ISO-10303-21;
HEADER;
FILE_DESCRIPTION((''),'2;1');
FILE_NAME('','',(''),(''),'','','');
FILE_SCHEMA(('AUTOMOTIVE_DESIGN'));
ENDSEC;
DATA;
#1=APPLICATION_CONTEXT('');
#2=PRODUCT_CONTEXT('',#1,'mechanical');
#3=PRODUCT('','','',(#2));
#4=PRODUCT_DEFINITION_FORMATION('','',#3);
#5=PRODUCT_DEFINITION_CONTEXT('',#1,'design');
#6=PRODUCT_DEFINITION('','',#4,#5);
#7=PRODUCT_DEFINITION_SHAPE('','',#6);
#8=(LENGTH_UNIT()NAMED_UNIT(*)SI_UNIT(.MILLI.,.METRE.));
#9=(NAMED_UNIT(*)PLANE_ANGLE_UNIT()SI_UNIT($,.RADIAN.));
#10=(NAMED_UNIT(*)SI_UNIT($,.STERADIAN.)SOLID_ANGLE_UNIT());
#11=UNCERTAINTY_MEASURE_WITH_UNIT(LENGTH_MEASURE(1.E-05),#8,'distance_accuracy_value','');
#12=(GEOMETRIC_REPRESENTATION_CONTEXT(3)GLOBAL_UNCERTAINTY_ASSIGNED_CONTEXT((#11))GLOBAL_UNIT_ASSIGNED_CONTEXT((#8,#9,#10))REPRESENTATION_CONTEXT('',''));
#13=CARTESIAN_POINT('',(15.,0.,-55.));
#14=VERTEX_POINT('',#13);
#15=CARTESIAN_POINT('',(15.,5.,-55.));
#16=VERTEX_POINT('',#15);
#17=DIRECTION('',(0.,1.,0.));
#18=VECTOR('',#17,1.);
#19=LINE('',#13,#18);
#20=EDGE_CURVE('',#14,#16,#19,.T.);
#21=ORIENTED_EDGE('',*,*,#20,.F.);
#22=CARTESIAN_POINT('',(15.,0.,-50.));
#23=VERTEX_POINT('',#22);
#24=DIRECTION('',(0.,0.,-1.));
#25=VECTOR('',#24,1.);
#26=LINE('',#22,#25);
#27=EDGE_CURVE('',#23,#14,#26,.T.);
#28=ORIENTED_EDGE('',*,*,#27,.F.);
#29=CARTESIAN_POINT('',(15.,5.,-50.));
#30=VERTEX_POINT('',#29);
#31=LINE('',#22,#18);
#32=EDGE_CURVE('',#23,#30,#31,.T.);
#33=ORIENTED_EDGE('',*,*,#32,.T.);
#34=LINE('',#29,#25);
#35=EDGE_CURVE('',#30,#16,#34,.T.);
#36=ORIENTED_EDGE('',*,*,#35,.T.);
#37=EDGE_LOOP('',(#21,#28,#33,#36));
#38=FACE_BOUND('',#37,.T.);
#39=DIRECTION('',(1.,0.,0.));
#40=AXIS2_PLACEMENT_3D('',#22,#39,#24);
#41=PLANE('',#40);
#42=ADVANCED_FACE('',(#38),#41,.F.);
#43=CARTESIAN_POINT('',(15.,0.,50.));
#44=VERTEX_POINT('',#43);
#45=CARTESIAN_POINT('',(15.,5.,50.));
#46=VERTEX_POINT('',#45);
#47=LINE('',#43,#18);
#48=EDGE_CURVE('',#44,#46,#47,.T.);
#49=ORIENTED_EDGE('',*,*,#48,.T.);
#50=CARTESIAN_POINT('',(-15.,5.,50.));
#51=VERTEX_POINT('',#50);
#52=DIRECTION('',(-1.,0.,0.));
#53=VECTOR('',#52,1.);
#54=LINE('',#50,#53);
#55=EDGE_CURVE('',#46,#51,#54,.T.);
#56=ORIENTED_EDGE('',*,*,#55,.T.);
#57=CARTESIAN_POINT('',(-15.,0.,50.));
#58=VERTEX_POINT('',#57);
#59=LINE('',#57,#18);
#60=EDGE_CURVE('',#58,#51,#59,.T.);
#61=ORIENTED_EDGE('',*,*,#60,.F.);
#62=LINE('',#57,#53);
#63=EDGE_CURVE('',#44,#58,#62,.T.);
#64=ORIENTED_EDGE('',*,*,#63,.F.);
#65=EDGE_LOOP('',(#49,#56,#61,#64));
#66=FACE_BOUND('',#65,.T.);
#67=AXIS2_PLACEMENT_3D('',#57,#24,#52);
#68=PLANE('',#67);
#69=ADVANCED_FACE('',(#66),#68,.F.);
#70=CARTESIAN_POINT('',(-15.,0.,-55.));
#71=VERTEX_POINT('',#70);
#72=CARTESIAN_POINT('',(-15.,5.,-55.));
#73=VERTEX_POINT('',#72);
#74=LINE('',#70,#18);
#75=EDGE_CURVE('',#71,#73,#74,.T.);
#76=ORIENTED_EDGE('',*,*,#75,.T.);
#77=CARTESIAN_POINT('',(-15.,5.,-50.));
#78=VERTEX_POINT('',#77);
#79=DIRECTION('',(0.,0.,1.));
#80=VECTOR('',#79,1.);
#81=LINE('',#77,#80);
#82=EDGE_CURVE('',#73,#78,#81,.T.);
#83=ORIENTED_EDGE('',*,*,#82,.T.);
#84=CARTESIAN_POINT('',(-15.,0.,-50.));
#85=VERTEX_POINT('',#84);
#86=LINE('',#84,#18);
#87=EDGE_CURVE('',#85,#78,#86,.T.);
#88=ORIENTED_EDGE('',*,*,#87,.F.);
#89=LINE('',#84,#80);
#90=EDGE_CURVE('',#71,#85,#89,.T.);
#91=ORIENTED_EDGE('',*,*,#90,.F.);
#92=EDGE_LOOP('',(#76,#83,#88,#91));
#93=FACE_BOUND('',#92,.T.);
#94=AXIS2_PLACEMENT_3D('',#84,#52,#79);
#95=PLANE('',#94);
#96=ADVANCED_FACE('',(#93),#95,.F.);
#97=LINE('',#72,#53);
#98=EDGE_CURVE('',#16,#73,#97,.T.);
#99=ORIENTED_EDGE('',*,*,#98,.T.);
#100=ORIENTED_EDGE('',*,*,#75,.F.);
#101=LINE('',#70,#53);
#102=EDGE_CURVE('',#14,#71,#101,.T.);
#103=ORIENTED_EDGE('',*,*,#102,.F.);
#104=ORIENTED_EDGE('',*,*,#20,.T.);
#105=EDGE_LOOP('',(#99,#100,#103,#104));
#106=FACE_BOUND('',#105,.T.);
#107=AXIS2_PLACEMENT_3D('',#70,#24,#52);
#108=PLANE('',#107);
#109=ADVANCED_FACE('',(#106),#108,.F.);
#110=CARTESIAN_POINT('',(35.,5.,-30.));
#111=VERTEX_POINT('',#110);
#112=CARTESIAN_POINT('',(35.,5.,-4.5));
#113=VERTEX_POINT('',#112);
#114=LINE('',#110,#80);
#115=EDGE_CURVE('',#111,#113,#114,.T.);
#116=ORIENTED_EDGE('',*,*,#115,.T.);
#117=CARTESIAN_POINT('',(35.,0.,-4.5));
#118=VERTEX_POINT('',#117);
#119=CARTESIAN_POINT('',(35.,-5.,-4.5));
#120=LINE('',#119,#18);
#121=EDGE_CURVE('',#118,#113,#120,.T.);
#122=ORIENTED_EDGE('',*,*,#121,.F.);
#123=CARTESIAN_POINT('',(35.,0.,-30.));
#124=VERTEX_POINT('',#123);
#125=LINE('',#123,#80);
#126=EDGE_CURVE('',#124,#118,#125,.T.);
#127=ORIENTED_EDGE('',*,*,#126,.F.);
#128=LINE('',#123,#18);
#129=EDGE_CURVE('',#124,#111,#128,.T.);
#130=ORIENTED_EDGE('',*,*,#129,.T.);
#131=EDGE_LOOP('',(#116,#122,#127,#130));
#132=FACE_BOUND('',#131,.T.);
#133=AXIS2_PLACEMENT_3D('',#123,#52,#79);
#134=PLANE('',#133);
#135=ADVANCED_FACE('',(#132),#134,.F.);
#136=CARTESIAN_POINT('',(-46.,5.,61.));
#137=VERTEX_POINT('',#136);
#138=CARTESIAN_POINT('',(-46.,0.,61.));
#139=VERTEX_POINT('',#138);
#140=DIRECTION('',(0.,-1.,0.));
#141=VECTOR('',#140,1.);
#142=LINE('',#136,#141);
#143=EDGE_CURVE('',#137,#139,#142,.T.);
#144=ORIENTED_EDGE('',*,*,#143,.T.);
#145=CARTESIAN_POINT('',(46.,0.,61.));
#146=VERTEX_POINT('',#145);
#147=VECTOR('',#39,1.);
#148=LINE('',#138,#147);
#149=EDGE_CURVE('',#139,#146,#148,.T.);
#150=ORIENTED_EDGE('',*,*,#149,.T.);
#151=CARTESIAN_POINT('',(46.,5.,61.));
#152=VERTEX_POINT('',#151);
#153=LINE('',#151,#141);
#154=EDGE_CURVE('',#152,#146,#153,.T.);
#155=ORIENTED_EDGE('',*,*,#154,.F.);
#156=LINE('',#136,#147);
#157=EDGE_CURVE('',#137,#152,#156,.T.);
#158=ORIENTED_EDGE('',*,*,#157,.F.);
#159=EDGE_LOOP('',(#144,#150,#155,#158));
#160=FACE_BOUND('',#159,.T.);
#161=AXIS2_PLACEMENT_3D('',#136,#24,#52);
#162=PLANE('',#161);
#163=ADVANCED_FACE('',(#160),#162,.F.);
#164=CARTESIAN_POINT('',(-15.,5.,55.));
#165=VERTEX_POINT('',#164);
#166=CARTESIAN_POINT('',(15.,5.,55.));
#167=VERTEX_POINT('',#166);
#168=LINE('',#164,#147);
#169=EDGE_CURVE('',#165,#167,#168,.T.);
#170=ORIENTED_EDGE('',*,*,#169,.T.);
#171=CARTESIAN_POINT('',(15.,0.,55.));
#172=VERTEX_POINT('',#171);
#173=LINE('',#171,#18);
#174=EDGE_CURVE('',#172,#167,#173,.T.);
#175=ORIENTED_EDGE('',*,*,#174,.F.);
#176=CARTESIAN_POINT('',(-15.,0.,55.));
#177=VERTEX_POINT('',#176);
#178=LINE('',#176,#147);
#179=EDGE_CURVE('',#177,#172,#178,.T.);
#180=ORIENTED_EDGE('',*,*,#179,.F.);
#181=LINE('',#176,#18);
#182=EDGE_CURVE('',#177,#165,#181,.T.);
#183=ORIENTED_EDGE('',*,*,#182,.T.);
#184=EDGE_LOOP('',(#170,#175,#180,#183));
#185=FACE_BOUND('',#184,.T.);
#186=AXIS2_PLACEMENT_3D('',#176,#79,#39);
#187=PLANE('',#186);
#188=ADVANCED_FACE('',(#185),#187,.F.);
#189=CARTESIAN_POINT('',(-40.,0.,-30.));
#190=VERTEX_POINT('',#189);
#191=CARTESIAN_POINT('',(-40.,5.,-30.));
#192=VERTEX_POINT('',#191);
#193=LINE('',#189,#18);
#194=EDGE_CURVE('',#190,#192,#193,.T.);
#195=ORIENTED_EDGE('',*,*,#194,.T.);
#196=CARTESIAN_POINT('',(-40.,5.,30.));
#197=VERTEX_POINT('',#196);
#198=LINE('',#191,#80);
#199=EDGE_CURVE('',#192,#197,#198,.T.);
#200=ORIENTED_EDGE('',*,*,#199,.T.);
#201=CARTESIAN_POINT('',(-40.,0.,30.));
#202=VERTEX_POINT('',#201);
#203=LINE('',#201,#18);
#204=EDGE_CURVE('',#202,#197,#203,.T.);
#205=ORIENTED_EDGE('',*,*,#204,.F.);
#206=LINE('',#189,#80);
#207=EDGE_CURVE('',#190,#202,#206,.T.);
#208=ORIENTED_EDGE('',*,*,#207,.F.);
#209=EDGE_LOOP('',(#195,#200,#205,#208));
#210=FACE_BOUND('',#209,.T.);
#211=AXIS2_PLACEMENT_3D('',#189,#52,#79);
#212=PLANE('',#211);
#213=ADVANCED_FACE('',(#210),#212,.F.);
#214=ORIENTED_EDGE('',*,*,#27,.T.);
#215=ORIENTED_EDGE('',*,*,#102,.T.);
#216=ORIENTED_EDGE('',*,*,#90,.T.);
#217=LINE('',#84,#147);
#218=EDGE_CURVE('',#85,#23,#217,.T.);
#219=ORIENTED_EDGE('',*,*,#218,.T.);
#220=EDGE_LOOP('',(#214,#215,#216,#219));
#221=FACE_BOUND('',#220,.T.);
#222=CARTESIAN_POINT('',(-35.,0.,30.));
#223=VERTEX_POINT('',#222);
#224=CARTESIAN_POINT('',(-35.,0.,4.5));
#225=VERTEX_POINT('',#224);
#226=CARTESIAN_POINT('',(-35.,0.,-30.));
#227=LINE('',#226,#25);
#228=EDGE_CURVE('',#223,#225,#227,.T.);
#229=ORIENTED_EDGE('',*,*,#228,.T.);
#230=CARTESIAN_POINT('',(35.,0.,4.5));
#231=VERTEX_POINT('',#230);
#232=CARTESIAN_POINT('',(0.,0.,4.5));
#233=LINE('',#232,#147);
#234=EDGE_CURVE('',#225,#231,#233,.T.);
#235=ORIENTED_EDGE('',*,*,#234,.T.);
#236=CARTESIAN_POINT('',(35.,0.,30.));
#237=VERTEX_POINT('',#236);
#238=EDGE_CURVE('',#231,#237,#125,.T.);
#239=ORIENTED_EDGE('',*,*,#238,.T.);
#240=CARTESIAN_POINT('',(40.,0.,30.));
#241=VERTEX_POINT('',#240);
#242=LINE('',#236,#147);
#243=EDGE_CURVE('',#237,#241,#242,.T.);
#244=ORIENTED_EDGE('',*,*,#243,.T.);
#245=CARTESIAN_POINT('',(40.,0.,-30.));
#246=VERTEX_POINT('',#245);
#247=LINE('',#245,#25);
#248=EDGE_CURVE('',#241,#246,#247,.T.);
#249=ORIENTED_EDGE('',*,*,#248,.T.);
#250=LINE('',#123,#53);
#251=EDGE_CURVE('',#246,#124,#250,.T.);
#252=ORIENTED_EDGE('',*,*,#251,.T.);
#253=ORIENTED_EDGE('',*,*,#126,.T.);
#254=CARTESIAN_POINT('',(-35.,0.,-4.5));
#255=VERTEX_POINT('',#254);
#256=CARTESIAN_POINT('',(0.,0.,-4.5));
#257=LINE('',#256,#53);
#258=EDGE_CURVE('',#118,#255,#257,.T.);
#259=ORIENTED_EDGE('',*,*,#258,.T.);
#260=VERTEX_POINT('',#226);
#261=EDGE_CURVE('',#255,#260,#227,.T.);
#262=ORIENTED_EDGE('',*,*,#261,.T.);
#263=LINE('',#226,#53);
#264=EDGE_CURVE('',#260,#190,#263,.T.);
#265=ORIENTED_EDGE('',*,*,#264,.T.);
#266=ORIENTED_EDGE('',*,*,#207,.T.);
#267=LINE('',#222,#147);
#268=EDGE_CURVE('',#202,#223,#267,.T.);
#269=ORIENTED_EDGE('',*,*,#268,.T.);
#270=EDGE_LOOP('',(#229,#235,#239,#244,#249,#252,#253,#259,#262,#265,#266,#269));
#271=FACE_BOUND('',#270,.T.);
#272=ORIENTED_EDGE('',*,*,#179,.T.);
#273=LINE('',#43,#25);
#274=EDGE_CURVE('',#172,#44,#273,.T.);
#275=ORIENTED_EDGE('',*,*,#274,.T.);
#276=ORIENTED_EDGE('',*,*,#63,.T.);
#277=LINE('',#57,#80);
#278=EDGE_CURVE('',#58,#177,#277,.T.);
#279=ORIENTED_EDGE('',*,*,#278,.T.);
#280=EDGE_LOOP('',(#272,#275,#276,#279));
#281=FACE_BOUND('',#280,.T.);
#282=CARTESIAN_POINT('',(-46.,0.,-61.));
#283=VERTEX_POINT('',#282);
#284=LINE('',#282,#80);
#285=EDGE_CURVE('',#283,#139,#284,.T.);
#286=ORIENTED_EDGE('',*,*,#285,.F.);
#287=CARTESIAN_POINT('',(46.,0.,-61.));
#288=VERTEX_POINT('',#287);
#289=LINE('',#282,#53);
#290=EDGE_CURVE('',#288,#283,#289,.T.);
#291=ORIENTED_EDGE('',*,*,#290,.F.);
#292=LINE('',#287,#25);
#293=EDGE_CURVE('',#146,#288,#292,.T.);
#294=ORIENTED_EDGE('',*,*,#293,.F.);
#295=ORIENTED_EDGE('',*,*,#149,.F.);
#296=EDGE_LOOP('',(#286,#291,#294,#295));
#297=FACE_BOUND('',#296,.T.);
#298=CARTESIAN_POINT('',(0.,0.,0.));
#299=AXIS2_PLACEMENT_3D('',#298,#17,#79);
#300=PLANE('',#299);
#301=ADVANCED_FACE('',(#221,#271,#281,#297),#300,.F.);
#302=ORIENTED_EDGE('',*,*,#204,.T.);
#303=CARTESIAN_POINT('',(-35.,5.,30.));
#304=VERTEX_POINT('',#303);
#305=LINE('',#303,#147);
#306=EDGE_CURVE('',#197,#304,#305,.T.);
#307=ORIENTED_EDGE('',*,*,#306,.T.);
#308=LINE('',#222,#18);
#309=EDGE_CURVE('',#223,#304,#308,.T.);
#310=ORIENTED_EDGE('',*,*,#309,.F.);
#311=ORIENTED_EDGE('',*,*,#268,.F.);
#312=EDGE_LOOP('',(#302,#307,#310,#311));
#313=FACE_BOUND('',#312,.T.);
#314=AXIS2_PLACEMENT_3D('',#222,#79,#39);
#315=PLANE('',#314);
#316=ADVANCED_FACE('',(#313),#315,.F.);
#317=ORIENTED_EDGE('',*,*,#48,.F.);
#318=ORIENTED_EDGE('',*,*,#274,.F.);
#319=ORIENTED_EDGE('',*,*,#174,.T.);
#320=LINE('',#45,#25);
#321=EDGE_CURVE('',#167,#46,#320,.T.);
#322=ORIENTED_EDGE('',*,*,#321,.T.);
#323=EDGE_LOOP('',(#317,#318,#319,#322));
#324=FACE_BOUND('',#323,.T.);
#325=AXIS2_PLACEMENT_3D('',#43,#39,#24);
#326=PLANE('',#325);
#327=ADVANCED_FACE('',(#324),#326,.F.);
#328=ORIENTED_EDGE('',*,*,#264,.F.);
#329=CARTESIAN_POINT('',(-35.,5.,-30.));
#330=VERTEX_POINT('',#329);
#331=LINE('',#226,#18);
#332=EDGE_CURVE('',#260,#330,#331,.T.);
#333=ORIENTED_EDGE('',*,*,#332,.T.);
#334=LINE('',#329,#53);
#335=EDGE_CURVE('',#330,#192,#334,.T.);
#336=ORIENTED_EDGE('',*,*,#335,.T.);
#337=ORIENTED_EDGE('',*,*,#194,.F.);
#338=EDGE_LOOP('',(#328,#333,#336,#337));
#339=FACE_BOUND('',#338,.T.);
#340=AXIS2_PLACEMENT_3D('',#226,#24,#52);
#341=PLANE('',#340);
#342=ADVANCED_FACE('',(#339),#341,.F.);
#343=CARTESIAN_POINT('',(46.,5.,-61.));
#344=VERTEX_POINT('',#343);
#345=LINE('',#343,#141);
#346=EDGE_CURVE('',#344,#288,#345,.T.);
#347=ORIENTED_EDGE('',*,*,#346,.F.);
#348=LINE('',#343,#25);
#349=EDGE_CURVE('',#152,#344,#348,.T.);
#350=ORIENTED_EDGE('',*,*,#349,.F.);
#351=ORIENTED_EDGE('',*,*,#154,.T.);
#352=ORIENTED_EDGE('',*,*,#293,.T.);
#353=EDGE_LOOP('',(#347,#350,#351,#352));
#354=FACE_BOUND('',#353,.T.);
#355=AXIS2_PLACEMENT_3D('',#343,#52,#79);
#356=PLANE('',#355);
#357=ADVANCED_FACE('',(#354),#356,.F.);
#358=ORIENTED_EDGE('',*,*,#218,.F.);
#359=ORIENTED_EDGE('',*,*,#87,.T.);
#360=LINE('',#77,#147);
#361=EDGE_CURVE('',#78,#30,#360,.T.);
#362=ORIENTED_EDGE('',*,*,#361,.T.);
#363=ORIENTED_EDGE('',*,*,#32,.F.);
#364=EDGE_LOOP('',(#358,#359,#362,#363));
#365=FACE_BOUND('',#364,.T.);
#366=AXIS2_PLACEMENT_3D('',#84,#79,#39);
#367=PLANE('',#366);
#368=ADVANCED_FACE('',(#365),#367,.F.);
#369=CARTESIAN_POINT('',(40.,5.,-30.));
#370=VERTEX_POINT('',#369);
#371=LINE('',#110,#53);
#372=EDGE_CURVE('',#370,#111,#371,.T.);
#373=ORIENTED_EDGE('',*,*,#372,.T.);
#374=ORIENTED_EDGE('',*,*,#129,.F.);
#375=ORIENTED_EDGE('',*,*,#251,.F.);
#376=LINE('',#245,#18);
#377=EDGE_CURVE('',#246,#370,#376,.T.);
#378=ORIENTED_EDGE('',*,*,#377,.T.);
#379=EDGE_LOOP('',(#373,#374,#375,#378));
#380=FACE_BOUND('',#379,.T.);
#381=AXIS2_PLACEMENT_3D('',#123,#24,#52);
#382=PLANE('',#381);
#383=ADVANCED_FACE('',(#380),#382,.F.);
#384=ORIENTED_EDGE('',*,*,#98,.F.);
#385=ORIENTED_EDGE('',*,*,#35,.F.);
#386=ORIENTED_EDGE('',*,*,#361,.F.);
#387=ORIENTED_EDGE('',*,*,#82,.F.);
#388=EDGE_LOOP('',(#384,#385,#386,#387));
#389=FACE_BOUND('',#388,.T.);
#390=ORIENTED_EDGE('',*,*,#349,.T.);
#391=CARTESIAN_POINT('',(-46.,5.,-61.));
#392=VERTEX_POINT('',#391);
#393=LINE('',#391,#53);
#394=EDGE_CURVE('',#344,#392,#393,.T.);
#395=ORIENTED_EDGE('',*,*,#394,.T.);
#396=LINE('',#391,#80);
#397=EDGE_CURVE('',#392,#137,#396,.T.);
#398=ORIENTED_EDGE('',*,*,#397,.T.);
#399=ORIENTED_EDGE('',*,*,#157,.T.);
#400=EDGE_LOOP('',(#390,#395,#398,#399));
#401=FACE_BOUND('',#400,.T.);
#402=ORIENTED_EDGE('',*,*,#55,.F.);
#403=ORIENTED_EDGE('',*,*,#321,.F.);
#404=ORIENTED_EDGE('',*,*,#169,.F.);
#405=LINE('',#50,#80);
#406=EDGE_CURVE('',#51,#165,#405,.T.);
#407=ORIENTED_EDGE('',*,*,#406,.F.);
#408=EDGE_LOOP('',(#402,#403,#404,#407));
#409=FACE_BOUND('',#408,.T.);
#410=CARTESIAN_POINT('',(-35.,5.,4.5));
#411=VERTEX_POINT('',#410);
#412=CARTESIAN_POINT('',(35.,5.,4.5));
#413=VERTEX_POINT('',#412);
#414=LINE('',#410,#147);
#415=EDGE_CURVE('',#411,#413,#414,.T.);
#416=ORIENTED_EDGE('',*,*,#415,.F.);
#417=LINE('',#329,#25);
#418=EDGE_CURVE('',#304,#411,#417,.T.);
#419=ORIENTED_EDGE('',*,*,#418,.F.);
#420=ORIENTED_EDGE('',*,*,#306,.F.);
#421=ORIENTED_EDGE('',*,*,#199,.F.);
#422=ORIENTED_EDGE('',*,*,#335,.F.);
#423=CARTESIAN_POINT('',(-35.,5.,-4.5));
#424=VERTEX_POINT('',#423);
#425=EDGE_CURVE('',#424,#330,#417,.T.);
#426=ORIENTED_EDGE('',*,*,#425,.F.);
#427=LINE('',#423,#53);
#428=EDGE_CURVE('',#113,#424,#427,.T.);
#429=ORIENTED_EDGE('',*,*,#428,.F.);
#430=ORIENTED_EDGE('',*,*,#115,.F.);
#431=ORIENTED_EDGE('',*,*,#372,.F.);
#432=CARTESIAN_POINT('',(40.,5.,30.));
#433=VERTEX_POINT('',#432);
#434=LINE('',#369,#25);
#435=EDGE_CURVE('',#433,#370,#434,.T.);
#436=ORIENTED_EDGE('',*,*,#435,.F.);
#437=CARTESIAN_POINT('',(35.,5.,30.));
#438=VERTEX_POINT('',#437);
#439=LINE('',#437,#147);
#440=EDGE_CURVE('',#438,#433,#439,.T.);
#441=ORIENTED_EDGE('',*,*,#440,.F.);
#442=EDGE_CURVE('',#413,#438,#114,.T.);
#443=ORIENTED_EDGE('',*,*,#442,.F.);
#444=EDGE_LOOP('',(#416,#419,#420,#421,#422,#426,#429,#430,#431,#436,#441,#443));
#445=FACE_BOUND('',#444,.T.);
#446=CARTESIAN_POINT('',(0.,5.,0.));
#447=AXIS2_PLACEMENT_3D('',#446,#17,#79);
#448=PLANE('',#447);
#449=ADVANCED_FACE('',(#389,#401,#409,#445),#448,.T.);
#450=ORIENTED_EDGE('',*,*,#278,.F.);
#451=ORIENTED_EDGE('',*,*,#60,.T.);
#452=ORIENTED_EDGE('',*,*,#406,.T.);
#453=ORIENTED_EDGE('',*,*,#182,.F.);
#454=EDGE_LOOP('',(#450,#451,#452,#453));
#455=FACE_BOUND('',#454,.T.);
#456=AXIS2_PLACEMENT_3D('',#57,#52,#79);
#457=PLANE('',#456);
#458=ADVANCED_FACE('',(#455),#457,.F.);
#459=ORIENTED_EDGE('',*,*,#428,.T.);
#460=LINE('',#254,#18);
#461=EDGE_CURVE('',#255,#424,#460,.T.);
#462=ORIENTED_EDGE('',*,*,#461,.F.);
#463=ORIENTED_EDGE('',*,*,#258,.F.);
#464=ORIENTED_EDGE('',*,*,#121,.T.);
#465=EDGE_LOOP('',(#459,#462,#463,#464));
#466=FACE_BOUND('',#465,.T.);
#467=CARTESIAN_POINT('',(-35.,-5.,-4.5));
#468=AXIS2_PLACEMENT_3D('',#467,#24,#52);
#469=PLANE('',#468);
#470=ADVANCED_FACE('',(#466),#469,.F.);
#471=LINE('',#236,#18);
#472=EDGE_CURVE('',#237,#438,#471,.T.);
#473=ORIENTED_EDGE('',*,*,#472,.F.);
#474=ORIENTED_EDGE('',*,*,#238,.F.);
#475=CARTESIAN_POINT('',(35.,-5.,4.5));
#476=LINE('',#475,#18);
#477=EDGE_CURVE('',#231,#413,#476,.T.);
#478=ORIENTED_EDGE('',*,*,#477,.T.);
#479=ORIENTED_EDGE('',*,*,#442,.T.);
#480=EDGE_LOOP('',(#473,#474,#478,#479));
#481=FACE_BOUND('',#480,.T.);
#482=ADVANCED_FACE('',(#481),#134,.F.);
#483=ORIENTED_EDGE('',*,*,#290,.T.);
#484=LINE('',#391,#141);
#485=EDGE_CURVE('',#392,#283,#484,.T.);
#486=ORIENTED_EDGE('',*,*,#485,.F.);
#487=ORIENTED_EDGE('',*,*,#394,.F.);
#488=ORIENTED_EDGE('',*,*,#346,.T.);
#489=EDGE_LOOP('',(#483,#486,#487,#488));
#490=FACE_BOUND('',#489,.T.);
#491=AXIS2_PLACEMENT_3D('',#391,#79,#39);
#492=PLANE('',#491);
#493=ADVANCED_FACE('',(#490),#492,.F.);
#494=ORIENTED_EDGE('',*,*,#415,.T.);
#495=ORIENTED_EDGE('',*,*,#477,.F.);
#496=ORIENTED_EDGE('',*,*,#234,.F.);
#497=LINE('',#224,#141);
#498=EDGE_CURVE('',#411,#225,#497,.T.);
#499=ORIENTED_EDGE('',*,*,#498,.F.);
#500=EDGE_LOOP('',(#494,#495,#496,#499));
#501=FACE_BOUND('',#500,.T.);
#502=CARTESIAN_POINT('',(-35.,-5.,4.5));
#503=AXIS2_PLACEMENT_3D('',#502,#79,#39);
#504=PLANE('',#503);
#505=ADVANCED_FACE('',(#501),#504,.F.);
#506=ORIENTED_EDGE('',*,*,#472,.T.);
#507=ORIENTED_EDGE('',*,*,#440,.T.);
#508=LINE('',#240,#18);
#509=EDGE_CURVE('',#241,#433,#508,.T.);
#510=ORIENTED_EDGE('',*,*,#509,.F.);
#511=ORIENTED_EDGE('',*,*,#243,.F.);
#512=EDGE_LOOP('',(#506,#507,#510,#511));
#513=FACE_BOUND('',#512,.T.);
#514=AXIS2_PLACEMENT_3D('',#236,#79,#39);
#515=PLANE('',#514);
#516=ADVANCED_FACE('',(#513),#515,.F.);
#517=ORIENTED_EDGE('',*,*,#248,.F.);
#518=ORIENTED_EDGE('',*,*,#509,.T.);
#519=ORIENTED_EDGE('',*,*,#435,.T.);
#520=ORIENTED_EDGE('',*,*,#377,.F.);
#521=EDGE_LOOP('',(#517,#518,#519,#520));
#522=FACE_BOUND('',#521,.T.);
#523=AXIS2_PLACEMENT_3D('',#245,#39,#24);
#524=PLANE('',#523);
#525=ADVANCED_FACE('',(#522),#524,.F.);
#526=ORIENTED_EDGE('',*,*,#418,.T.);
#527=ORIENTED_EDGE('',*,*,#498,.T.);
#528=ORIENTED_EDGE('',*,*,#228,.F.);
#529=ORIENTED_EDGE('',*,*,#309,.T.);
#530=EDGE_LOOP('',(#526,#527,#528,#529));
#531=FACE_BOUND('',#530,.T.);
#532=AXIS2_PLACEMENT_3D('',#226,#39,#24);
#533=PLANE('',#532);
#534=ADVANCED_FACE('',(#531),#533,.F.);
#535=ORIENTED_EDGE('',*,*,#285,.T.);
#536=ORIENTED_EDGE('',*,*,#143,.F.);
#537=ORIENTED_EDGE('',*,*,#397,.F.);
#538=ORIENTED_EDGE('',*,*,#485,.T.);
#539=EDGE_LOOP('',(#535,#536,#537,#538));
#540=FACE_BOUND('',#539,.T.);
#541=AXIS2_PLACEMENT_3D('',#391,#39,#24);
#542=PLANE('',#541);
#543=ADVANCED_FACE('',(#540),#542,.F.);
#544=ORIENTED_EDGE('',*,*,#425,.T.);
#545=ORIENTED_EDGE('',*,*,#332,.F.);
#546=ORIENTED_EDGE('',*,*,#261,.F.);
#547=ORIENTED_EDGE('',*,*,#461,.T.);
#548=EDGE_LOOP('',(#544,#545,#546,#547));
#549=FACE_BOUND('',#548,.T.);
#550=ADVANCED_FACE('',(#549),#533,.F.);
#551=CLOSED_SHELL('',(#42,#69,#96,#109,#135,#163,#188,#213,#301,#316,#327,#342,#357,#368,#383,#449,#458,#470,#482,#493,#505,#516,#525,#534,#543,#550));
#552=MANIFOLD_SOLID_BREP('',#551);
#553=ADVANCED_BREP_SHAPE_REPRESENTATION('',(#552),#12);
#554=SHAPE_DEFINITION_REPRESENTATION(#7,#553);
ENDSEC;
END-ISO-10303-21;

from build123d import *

# Parameters (mm, degrees)
SKETCH1_W           = 92
SKETCH1_H           = 122
BOSS_EXTRUDE1_DEPTH = 5
SKETCH2_W           = 5
SKETCH2_H           = 60
SKETCH2_W_2         = 30
SKETCH2_H_2         = 5
CUT_EXTRUDE1_DEPTH  = 6
SKETCH3_R           = 4.03
CUT_EXTRUDE2_DEPTH  = 5
SKETCH4_W           = 70
SKETCH4_H           = 9
CUT_EXTRUDE3_DEPTH  = 10


with BuildPart() as part:
    # Sketch1 → Boss-Extrude1 (new body)
    with BuildSketch(Plane(origin=(0, 0, 0), x_dir=(1, 0, 0), z_dir=(0, 1, 0))):
        Rectangle(SKETCH1_W, SKETCH1_H)
    extrude(amount=BOSS_EXTRUDE1_DEPTH)

    # Sketch2 → Cut-Extrude1 (cut, through all)
    with BuildSketch(Plane(origin=(0, 5, 0), x_dir=(1, 0, 0), z_dir=(0, 1, 0))):
        with Locations((-37.5, 0)):
            Rectangle(SKETCH2_W, SKETCH2_H)
        with Locations((37.5, 0)):
            Rectangle(SKETCH2_W, SKETCH2_H)
        with Locations((0, 52.5)):
            Rectangle(SKETCH2_W_2, SKETCH2_H_2)
        with Locations((0, -52.5)):
            Rectangle(SKETCH2_W_2, SKETCH2_H_2)
    extrude(amount=-CUT_EXTRUDE1_DEPTH, mode=Mode.SUBTRACT)

    # Sketch3 → Cut-Extrude2 (cut)
    with BuildSketch(Plane(origin=(0, 5, 0), x_dir=(1, 0, 0), z_dir=(0, 1, 0))):
        with Locations(Location((0, 0, 0), (0, 0, 270))):  # turned: the seam where the file's is
            Circle(SKETCH3_R)
        with Locations(Location((-20, 0, 0), (0, 0, 270))):  # turned: the seam where the file's is
            Circle(SKETCH3_R)
        with Locations(Location((20, 0, 0), (0, 0, 270))):  # turned: the seam where the file's is
            Circle(SKETCH3_R)
    extrude(amount=-CUT_EXTRUDE2_DEPTH, mode=Mode.SUBTRACT)

    # Sketch4 → Cut-Extrude3 (cut)
    with BuildSketch(Plane(origin=(0, 5, 0), x_dir=(1, 0, 0), z_dir=(0, 1, 0))):
        Rectangle(SKETCH4_W, SKETCH4_H)
    extrude(amount=-CUT_EXTRUDE3_DEPTH, mode=Mode.SUBTRACT)


solid = part.part
